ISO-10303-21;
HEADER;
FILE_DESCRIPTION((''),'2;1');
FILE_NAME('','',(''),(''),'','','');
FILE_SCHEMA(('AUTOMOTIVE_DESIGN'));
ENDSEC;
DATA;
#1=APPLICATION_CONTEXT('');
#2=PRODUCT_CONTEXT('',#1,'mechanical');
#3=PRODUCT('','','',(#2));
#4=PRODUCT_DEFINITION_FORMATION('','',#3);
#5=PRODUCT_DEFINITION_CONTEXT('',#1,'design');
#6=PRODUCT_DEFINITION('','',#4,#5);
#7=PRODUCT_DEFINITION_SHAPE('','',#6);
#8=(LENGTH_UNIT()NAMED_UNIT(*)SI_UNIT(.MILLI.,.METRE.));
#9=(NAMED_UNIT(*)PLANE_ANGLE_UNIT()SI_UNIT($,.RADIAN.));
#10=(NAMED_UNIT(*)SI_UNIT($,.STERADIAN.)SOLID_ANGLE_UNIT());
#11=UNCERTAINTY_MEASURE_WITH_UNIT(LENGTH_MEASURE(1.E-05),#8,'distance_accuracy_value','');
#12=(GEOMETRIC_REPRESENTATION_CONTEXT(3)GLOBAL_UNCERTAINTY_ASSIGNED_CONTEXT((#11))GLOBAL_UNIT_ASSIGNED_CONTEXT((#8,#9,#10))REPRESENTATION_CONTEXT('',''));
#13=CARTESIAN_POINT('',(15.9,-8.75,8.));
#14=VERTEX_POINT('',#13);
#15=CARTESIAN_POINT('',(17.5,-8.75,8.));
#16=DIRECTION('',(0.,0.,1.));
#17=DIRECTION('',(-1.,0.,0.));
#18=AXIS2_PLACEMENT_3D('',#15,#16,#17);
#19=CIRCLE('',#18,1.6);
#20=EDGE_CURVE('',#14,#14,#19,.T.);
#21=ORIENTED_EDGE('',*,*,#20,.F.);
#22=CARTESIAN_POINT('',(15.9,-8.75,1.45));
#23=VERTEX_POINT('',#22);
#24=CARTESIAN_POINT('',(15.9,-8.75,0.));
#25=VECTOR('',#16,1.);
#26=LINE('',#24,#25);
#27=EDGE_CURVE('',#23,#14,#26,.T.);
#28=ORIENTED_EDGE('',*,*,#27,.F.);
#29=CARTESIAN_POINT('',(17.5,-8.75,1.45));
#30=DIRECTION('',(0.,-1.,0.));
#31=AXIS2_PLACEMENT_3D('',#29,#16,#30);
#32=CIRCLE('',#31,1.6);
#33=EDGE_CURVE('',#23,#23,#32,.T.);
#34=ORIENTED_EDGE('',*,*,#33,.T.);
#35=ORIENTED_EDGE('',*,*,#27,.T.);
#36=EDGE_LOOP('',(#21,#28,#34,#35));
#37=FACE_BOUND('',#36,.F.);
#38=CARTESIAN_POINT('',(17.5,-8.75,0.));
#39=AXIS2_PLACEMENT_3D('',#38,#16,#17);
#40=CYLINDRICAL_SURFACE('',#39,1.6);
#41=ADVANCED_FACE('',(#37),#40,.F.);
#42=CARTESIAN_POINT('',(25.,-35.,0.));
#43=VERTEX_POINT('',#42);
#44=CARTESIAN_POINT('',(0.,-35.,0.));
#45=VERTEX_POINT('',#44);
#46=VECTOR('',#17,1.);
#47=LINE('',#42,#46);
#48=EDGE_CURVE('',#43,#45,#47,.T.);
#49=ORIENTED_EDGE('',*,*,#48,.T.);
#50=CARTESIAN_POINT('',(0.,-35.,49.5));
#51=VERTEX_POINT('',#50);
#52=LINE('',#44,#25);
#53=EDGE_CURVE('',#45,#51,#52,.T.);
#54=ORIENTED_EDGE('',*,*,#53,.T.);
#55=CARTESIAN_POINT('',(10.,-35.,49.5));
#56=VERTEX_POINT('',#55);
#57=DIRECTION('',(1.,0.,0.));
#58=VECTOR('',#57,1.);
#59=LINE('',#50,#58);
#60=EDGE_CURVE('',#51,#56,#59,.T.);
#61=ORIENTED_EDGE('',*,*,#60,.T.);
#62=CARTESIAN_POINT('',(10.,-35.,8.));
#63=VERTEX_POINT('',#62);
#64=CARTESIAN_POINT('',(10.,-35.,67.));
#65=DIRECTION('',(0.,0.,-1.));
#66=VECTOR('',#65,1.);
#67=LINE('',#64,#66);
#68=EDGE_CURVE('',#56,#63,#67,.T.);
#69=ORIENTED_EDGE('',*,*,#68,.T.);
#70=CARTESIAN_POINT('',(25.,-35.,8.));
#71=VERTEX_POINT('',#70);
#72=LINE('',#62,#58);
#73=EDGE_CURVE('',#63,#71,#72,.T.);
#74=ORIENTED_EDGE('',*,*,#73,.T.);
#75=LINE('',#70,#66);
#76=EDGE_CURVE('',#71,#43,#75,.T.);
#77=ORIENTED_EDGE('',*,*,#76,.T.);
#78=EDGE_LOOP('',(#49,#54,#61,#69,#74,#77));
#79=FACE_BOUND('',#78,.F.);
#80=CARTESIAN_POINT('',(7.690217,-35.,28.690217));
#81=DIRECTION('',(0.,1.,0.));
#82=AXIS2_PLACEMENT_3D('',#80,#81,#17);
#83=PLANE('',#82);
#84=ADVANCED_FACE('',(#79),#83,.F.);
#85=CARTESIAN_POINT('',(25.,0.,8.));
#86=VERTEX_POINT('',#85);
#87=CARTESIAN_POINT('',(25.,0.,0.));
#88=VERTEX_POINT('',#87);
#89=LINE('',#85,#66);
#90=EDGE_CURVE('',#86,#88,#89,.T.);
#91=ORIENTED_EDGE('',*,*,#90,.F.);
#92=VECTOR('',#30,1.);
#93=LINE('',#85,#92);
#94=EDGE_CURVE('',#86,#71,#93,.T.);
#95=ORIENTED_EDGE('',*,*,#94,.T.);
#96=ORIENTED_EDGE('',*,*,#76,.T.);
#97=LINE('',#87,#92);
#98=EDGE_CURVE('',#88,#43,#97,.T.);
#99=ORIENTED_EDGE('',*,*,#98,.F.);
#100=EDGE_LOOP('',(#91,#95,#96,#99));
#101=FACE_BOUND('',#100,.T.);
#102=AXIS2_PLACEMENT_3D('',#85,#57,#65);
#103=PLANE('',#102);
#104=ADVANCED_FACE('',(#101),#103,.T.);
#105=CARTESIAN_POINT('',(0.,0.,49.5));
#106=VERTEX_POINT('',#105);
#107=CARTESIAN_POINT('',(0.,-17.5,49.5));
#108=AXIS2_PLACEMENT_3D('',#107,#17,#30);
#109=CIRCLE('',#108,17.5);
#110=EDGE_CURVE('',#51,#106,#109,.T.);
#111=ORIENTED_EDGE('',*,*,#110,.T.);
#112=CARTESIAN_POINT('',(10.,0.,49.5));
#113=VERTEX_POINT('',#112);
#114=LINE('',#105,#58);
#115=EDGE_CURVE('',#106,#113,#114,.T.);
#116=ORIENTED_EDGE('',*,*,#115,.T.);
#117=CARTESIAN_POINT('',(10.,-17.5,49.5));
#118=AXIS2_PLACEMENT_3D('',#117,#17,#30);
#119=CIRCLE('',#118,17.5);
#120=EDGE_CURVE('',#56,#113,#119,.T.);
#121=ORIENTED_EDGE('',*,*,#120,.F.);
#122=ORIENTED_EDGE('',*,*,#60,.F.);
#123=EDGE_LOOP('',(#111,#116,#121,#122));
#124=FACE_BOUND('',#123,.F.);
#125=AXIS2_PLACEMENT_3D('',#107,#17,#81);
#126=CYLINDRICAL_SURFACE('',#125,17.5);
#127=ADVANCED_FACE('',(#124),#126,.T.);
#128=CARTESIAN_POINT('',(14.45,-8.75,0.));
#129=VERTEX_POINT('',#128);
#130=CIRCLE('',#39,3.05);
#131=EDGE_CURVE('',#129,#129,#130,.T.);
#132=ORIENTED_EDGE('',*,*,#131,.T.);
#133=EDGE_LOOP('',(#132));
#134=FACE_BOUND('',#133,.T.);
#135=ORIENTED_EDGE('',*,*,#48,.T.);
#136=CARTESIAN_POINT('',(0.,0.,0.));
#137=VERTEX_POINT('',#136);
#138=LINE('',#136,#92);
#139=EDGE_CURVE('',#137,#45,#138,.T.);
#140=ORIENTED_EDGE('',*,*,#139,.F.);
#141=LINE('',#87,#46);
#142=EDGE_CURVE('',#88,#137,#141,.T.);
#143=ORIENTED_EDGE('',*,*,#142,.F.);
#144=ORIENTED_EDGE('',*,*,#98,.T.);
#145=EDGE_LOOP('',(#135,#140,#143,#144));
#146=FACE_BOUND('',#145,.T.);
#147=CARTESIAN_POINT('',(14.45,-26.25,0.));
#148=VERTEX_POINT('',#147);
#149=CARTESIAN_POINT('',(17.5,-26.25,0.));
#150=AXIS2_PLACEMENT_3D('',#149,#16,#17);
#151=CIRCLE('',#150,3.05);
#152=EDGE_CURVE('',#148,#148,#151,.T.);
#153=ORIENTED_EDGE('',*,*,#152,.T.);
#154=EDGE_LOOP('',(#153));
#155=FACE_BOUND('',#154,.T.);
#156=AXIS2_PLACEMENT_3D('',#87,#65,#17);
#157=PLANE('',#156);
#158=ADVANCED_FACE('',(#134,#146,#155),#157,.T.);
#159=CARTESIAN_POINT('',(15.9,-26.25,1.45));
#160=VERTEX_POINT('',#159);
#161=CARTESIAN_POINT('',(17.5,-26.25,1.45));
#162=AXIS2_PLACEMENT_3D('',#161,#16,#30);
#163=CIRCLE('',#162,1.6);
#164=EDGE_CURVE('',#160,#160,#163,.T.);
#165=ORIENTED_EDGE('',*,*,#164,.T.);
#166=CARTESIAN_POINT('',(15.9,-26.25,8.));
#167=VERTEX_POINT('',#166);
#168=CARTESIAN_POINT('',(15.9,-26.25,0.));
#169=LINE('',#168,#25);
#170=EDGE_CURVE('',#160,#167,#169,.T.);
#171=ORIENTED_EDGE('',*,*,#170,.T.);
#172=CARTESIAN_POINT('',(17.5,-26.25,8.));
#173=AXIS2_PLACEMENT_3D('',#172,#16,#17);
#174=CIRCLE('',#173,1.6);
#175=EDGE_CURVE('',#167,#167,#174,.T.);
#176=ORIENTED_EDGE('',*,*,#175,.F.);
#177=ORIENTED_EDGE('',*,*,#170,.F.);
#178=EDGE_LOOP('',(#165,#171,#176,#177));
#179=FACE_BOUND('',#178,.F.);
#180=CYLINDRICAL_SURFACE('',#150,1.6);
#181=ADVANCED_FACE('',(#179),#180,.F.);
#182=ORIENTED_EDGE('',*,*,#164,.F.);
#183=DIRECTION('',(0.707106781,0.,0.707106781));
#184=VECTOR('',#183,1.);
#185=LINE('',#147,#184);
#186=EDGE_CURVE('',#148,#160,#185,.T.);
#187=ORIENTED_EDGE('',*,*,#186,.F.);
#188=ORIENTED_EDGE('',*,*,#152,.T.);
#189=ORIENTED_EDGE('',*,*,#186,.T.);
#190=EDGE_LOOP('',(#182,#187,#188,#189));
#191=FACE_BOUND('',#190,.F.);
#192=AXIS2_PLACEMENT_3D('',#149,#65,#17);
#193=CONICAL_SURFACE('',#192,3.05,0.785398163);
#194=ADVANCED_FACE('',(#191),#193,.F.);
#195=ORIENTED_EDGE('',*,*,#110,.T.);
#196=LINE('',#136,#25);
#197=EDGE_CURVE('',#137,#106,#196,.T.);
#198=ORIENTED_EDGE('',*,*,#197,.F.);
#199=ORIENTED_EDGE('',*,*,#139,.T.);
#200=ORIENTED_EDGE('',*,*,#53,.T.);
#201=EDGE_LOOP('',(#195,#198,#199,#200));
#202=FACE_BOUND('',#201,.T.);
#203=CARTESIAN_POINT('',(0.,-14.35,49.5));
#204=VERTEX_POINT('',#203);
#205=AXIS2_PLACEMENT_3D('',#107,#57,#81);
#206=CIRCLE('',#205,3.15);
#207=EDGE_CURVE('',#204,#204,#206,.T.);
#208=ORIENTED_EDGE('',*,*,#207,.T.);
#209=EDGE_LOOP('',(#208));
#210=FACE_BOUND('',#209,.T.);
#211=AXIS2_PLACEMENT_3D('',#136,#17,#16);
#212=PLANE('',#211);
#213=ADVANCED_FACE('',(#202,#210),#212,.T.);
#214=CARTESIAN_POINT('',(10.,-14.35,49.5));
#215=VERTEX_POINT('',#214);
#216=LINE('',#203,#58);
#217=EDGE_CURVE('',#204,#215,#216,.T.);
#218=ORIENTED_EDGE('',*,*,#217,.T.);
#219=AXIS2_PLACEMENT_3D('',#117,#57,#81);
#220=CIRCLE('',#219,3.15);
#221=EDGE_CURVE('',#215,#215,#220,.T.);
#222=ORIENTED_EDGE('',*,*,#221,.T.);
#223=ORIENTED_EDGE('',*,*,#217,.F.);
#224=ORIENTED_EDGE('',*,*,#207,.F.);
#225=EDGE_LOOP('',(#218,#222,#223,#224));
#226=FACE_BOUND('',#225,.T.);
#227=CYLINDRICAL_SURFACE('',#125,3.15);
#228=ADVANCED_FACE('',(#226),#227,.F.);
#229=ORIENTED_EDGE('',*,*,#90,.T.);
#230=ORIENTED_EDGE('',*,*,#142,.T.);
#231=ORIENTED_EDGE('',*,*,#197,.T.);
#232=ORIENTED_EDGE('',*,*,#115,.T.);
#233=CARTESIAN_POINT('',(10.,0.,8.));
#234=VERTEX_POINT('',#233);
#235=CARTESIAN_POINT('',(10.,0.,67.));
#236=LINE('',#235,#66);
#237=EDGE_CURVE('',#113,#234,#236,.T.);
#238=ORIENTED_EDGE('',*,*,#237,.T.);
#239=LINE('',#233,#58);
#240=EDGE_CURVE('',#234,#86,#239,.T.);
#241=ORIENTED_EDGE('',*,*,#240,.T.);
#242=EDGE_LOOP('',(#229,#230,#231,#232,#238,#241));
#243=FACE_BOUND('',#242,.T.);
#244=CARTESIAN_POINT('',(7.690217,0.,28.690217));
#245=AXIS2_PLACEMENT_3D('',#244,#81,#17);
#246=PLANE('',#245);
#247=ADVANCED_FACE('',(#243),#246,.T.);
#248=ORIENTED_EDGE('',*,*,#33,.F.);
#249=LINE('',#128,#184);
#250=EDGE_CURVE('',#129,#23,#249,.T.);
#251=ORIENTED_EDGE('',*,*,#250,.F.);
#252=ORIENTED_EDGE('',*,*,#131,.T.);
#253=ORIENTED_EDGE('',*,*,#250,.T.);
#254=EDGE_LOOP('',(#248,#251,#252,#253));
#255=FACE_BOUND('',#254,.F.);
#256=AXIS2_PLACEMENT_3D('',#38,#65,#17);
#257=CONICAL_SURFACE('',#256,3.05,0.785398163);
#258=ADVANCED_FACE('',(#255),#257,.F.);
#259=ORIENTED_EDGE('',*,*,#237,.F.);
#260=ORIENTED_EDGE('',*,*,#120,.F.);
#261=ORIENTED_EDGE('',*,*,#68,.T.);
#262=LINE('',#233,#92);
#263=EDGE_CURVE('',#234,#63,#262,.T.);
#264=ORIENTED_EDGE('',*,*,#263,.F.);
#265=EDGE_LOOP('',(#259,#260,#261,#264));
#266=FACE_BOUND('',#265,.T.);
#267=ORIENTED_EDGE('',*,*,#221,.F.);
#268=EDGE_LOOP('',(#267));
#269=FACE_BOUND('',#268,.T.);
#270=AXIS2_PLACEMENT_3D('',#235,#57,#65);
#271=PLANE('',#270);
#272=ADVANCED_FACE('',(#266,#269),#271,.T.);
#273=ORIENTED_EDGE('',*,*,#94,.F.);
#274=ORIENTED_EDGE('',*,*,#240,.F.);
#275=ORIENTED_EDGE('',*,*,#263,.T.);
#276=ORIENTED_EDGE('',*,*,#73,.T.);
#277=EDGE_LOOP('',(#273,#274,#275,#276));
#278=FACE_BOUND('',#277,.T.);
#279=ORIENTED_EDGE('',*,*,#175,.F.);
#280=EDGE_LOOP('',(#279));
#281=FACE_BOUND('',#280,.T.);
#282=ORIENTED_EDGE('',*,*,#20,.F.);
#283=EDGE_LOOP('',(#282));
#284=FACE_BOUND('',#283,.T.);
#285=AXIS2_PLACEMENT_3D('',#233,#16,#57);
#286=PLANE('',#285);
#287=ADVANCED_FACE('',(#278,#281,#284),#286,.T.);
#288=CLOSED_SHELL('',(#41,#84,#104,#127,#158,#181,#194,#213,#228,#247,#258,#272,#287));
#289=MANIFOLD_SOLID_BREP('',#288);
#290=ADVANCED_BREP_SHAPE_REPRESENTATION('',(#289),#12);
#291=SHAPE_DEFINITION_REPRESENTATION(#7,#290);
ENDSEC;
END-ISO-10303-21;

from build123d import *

# Parameters (mm, degrees)
PAD_DEPTH        = 35
SKETCH001_R      = 3.15
POCKET_DEPTH     = 10
HOLE_D           = 3.2
HOLE_CSINK_D     = 6.1
HOLE_CSINK_ANGLE = 90


with BuildPart() as part:
    # Sketch → Pad (new body)
    with BuildSketch(Plane.XZ):
        Polygon((0, 0), (0, 67), (10, 67), (10, 8), (25, 8), (25, 0), align=None)
    extrude(amount=PAD_DEPTH)

    # Sketch001 → Pocket (cut)
    with BuildSketch(Plane.YZ):
        with Locations((-17.5, 49.5)):
            Circle(SKETCH001_R)
        with BuildLine():
            ThreePointArc((0, 49.5), (-17.5, 67), (-35, 49.5))
            Line((-35, 49.5), (-45, 49.5))
            Line((-45, 49.5), (-45, 74.5))
            Line((-45, 74.5), (10, 74.5))
            Line((10, 74.5), (10, 49.5))
            Line((10, 49.5), (0, 49.5))
        make_face()
    extrude(amount=POCKET_DEPTH, mode=Mode.SUBTRACT)

    # Hole (through all)
    with Locations(Plane(origin=(0, 0, 0), x_dir=(1, 0, 0), z_dir=(0, 0, -1))):
        with Locations((17.5, 8.75), (17.5, 26.25)):
            CounterSinkHole(HOLE_D / 2, HOLE_CSINK_D / 2, counter_sink_angle=HOLE_CSINK_ANGLE)


solid = part.part
